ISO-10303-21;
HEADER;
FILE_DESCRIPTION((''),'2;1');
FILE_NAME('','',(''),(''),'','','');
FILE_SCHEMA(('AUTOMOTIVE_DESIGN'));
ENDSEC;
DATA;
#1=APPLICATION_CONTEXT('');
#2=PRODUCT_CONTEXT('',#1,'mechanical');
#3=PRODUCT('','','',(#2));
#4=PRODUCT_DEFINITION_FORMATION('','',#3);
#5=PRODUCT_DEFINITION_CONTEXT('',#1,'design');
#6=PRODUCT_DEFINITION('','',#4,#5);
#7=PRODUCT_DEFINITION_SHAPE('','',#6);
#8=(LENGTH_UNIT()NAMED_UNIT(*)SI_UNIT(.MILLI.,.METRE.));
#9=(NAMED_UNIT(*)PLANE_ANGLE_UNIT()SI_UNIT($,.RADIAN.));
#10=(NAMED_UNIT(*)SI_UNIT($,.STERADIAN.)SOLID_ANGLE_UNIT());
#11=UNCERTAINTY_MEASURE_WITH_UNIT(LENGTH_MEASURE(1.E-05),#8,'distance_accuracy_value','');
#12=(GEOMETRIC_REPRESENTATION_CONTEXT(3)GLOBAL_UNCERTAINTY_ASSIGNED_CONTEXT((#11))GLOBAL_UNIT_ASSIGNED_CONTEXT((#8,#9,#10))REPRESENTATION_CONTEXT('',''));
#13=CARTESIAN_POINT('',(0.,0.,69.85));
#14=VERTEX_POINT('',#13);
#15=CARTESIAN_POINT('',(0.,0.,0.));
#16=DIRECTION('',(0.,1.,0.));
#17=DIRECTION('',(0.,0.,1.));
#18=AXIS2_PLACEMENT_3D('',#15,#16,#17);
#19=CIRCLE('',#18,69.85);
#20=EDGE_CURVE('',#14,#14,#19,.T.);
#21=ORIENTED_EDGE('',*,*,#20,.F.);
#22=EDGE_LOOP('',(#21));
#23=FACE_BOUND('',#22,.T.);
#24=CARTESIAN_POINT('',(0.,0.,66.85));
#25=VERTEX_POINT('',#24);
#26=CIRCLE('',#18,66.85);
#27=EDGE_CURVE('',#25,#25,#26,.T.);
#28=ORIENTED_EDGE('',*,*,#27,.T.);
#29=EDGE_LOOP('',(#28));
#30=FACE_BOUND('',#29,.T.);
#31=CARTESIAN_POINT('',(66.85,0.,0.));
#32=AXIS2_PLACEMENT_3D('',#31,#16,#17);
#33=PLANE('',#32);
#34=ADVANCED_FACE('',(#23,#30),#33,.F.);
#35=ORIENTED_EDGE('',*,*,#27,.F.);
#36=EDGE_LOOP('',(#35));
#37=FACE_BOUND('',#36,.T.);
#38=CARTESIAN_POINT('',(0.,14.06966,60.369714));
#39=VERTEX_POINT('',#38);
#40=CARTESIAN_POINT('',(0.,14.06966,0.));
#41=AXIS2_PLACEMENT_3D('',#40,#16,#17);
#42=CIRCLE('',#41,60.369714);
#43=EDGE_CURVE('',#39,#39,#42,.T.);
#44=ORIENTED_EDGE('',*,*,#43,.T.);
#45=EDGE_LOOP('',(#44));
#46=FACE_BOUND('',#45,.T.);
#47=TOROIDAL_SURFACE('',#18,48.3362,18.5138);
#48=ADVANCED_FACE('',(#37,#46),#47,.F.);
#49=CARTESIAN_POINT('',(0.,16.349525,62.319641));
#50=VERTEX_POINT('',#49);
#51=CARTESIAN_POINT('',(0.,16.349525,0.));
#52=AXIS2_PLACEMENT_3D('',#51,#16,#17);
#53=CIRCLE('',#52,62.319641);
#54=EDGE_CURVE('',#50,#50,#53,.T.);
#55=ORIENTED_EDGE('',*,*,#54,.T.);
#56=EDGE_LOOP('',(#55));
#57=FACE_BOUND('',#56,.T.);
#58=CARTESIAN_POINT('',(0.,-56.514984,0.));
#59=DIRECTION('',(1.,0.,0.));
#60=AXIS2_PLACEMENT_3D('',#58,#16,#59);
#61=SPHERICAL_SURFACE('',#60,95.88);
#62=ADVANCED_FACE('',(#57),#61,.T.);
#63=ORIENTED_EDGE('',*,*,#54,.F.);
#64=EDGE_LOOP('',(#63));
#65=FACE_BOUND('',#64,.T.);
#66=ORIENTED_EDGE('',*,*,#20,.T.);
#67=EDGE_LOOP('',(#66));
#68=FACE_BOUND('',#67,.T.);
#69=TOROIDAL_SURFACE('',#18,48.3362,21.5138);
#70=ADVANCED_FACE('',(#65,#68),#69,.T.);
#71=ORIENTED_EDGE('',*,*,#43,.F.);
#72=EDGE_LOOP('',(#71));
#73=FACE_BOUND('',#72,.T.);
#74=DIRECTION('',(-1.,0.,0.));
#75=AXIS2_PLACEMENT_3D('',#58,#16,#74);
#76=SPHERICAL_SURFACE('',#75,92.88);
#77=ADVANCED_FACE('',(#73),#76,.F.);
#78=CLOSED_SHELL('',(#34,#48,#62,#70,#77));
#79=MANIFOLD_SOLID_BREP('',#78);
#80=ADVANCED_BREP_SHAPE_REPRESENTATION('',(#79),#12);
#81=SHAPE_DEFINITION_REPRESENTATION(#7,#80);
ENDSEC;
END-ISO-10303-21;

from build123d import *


with BuildPart() as part:
    # Эскиз1 → Повернуть1 (revolve)
    with BuildSketch(Plane.XY, mode=Mode.PRIVATE) as revolve_1_sk:
        with BuildLine():
            Line((0, 39.365015509), (0, 36.365015509))
            ThreePointArc((0, 36.365015509), (32.17757493, 30.613071104), (60.369714413, 14.069659602))
            ThreePointArc((60.369714413, 14.069659602), (65.152068541, 7.74515046), (66.85, 0))
            Line((66.85, 0), (69.85, 0))
            ThreePointArc((69.85, 0), (67.87693354, 9.000184617), (62.319640589, 16.349525367))
            ThreePointArc((62.319640589, 16.349525367), (33.216902285, 33.427284786), (0, 39.365015509))
        make_face()
    revolve(revolve_1_sk.sketch.rotate(Axis((0, 69.552045475, 0), (0, -1, 0)), 90), axis=Axis((0, 69.552045475, 0), (0, -1, 0)))


solid = part.part
